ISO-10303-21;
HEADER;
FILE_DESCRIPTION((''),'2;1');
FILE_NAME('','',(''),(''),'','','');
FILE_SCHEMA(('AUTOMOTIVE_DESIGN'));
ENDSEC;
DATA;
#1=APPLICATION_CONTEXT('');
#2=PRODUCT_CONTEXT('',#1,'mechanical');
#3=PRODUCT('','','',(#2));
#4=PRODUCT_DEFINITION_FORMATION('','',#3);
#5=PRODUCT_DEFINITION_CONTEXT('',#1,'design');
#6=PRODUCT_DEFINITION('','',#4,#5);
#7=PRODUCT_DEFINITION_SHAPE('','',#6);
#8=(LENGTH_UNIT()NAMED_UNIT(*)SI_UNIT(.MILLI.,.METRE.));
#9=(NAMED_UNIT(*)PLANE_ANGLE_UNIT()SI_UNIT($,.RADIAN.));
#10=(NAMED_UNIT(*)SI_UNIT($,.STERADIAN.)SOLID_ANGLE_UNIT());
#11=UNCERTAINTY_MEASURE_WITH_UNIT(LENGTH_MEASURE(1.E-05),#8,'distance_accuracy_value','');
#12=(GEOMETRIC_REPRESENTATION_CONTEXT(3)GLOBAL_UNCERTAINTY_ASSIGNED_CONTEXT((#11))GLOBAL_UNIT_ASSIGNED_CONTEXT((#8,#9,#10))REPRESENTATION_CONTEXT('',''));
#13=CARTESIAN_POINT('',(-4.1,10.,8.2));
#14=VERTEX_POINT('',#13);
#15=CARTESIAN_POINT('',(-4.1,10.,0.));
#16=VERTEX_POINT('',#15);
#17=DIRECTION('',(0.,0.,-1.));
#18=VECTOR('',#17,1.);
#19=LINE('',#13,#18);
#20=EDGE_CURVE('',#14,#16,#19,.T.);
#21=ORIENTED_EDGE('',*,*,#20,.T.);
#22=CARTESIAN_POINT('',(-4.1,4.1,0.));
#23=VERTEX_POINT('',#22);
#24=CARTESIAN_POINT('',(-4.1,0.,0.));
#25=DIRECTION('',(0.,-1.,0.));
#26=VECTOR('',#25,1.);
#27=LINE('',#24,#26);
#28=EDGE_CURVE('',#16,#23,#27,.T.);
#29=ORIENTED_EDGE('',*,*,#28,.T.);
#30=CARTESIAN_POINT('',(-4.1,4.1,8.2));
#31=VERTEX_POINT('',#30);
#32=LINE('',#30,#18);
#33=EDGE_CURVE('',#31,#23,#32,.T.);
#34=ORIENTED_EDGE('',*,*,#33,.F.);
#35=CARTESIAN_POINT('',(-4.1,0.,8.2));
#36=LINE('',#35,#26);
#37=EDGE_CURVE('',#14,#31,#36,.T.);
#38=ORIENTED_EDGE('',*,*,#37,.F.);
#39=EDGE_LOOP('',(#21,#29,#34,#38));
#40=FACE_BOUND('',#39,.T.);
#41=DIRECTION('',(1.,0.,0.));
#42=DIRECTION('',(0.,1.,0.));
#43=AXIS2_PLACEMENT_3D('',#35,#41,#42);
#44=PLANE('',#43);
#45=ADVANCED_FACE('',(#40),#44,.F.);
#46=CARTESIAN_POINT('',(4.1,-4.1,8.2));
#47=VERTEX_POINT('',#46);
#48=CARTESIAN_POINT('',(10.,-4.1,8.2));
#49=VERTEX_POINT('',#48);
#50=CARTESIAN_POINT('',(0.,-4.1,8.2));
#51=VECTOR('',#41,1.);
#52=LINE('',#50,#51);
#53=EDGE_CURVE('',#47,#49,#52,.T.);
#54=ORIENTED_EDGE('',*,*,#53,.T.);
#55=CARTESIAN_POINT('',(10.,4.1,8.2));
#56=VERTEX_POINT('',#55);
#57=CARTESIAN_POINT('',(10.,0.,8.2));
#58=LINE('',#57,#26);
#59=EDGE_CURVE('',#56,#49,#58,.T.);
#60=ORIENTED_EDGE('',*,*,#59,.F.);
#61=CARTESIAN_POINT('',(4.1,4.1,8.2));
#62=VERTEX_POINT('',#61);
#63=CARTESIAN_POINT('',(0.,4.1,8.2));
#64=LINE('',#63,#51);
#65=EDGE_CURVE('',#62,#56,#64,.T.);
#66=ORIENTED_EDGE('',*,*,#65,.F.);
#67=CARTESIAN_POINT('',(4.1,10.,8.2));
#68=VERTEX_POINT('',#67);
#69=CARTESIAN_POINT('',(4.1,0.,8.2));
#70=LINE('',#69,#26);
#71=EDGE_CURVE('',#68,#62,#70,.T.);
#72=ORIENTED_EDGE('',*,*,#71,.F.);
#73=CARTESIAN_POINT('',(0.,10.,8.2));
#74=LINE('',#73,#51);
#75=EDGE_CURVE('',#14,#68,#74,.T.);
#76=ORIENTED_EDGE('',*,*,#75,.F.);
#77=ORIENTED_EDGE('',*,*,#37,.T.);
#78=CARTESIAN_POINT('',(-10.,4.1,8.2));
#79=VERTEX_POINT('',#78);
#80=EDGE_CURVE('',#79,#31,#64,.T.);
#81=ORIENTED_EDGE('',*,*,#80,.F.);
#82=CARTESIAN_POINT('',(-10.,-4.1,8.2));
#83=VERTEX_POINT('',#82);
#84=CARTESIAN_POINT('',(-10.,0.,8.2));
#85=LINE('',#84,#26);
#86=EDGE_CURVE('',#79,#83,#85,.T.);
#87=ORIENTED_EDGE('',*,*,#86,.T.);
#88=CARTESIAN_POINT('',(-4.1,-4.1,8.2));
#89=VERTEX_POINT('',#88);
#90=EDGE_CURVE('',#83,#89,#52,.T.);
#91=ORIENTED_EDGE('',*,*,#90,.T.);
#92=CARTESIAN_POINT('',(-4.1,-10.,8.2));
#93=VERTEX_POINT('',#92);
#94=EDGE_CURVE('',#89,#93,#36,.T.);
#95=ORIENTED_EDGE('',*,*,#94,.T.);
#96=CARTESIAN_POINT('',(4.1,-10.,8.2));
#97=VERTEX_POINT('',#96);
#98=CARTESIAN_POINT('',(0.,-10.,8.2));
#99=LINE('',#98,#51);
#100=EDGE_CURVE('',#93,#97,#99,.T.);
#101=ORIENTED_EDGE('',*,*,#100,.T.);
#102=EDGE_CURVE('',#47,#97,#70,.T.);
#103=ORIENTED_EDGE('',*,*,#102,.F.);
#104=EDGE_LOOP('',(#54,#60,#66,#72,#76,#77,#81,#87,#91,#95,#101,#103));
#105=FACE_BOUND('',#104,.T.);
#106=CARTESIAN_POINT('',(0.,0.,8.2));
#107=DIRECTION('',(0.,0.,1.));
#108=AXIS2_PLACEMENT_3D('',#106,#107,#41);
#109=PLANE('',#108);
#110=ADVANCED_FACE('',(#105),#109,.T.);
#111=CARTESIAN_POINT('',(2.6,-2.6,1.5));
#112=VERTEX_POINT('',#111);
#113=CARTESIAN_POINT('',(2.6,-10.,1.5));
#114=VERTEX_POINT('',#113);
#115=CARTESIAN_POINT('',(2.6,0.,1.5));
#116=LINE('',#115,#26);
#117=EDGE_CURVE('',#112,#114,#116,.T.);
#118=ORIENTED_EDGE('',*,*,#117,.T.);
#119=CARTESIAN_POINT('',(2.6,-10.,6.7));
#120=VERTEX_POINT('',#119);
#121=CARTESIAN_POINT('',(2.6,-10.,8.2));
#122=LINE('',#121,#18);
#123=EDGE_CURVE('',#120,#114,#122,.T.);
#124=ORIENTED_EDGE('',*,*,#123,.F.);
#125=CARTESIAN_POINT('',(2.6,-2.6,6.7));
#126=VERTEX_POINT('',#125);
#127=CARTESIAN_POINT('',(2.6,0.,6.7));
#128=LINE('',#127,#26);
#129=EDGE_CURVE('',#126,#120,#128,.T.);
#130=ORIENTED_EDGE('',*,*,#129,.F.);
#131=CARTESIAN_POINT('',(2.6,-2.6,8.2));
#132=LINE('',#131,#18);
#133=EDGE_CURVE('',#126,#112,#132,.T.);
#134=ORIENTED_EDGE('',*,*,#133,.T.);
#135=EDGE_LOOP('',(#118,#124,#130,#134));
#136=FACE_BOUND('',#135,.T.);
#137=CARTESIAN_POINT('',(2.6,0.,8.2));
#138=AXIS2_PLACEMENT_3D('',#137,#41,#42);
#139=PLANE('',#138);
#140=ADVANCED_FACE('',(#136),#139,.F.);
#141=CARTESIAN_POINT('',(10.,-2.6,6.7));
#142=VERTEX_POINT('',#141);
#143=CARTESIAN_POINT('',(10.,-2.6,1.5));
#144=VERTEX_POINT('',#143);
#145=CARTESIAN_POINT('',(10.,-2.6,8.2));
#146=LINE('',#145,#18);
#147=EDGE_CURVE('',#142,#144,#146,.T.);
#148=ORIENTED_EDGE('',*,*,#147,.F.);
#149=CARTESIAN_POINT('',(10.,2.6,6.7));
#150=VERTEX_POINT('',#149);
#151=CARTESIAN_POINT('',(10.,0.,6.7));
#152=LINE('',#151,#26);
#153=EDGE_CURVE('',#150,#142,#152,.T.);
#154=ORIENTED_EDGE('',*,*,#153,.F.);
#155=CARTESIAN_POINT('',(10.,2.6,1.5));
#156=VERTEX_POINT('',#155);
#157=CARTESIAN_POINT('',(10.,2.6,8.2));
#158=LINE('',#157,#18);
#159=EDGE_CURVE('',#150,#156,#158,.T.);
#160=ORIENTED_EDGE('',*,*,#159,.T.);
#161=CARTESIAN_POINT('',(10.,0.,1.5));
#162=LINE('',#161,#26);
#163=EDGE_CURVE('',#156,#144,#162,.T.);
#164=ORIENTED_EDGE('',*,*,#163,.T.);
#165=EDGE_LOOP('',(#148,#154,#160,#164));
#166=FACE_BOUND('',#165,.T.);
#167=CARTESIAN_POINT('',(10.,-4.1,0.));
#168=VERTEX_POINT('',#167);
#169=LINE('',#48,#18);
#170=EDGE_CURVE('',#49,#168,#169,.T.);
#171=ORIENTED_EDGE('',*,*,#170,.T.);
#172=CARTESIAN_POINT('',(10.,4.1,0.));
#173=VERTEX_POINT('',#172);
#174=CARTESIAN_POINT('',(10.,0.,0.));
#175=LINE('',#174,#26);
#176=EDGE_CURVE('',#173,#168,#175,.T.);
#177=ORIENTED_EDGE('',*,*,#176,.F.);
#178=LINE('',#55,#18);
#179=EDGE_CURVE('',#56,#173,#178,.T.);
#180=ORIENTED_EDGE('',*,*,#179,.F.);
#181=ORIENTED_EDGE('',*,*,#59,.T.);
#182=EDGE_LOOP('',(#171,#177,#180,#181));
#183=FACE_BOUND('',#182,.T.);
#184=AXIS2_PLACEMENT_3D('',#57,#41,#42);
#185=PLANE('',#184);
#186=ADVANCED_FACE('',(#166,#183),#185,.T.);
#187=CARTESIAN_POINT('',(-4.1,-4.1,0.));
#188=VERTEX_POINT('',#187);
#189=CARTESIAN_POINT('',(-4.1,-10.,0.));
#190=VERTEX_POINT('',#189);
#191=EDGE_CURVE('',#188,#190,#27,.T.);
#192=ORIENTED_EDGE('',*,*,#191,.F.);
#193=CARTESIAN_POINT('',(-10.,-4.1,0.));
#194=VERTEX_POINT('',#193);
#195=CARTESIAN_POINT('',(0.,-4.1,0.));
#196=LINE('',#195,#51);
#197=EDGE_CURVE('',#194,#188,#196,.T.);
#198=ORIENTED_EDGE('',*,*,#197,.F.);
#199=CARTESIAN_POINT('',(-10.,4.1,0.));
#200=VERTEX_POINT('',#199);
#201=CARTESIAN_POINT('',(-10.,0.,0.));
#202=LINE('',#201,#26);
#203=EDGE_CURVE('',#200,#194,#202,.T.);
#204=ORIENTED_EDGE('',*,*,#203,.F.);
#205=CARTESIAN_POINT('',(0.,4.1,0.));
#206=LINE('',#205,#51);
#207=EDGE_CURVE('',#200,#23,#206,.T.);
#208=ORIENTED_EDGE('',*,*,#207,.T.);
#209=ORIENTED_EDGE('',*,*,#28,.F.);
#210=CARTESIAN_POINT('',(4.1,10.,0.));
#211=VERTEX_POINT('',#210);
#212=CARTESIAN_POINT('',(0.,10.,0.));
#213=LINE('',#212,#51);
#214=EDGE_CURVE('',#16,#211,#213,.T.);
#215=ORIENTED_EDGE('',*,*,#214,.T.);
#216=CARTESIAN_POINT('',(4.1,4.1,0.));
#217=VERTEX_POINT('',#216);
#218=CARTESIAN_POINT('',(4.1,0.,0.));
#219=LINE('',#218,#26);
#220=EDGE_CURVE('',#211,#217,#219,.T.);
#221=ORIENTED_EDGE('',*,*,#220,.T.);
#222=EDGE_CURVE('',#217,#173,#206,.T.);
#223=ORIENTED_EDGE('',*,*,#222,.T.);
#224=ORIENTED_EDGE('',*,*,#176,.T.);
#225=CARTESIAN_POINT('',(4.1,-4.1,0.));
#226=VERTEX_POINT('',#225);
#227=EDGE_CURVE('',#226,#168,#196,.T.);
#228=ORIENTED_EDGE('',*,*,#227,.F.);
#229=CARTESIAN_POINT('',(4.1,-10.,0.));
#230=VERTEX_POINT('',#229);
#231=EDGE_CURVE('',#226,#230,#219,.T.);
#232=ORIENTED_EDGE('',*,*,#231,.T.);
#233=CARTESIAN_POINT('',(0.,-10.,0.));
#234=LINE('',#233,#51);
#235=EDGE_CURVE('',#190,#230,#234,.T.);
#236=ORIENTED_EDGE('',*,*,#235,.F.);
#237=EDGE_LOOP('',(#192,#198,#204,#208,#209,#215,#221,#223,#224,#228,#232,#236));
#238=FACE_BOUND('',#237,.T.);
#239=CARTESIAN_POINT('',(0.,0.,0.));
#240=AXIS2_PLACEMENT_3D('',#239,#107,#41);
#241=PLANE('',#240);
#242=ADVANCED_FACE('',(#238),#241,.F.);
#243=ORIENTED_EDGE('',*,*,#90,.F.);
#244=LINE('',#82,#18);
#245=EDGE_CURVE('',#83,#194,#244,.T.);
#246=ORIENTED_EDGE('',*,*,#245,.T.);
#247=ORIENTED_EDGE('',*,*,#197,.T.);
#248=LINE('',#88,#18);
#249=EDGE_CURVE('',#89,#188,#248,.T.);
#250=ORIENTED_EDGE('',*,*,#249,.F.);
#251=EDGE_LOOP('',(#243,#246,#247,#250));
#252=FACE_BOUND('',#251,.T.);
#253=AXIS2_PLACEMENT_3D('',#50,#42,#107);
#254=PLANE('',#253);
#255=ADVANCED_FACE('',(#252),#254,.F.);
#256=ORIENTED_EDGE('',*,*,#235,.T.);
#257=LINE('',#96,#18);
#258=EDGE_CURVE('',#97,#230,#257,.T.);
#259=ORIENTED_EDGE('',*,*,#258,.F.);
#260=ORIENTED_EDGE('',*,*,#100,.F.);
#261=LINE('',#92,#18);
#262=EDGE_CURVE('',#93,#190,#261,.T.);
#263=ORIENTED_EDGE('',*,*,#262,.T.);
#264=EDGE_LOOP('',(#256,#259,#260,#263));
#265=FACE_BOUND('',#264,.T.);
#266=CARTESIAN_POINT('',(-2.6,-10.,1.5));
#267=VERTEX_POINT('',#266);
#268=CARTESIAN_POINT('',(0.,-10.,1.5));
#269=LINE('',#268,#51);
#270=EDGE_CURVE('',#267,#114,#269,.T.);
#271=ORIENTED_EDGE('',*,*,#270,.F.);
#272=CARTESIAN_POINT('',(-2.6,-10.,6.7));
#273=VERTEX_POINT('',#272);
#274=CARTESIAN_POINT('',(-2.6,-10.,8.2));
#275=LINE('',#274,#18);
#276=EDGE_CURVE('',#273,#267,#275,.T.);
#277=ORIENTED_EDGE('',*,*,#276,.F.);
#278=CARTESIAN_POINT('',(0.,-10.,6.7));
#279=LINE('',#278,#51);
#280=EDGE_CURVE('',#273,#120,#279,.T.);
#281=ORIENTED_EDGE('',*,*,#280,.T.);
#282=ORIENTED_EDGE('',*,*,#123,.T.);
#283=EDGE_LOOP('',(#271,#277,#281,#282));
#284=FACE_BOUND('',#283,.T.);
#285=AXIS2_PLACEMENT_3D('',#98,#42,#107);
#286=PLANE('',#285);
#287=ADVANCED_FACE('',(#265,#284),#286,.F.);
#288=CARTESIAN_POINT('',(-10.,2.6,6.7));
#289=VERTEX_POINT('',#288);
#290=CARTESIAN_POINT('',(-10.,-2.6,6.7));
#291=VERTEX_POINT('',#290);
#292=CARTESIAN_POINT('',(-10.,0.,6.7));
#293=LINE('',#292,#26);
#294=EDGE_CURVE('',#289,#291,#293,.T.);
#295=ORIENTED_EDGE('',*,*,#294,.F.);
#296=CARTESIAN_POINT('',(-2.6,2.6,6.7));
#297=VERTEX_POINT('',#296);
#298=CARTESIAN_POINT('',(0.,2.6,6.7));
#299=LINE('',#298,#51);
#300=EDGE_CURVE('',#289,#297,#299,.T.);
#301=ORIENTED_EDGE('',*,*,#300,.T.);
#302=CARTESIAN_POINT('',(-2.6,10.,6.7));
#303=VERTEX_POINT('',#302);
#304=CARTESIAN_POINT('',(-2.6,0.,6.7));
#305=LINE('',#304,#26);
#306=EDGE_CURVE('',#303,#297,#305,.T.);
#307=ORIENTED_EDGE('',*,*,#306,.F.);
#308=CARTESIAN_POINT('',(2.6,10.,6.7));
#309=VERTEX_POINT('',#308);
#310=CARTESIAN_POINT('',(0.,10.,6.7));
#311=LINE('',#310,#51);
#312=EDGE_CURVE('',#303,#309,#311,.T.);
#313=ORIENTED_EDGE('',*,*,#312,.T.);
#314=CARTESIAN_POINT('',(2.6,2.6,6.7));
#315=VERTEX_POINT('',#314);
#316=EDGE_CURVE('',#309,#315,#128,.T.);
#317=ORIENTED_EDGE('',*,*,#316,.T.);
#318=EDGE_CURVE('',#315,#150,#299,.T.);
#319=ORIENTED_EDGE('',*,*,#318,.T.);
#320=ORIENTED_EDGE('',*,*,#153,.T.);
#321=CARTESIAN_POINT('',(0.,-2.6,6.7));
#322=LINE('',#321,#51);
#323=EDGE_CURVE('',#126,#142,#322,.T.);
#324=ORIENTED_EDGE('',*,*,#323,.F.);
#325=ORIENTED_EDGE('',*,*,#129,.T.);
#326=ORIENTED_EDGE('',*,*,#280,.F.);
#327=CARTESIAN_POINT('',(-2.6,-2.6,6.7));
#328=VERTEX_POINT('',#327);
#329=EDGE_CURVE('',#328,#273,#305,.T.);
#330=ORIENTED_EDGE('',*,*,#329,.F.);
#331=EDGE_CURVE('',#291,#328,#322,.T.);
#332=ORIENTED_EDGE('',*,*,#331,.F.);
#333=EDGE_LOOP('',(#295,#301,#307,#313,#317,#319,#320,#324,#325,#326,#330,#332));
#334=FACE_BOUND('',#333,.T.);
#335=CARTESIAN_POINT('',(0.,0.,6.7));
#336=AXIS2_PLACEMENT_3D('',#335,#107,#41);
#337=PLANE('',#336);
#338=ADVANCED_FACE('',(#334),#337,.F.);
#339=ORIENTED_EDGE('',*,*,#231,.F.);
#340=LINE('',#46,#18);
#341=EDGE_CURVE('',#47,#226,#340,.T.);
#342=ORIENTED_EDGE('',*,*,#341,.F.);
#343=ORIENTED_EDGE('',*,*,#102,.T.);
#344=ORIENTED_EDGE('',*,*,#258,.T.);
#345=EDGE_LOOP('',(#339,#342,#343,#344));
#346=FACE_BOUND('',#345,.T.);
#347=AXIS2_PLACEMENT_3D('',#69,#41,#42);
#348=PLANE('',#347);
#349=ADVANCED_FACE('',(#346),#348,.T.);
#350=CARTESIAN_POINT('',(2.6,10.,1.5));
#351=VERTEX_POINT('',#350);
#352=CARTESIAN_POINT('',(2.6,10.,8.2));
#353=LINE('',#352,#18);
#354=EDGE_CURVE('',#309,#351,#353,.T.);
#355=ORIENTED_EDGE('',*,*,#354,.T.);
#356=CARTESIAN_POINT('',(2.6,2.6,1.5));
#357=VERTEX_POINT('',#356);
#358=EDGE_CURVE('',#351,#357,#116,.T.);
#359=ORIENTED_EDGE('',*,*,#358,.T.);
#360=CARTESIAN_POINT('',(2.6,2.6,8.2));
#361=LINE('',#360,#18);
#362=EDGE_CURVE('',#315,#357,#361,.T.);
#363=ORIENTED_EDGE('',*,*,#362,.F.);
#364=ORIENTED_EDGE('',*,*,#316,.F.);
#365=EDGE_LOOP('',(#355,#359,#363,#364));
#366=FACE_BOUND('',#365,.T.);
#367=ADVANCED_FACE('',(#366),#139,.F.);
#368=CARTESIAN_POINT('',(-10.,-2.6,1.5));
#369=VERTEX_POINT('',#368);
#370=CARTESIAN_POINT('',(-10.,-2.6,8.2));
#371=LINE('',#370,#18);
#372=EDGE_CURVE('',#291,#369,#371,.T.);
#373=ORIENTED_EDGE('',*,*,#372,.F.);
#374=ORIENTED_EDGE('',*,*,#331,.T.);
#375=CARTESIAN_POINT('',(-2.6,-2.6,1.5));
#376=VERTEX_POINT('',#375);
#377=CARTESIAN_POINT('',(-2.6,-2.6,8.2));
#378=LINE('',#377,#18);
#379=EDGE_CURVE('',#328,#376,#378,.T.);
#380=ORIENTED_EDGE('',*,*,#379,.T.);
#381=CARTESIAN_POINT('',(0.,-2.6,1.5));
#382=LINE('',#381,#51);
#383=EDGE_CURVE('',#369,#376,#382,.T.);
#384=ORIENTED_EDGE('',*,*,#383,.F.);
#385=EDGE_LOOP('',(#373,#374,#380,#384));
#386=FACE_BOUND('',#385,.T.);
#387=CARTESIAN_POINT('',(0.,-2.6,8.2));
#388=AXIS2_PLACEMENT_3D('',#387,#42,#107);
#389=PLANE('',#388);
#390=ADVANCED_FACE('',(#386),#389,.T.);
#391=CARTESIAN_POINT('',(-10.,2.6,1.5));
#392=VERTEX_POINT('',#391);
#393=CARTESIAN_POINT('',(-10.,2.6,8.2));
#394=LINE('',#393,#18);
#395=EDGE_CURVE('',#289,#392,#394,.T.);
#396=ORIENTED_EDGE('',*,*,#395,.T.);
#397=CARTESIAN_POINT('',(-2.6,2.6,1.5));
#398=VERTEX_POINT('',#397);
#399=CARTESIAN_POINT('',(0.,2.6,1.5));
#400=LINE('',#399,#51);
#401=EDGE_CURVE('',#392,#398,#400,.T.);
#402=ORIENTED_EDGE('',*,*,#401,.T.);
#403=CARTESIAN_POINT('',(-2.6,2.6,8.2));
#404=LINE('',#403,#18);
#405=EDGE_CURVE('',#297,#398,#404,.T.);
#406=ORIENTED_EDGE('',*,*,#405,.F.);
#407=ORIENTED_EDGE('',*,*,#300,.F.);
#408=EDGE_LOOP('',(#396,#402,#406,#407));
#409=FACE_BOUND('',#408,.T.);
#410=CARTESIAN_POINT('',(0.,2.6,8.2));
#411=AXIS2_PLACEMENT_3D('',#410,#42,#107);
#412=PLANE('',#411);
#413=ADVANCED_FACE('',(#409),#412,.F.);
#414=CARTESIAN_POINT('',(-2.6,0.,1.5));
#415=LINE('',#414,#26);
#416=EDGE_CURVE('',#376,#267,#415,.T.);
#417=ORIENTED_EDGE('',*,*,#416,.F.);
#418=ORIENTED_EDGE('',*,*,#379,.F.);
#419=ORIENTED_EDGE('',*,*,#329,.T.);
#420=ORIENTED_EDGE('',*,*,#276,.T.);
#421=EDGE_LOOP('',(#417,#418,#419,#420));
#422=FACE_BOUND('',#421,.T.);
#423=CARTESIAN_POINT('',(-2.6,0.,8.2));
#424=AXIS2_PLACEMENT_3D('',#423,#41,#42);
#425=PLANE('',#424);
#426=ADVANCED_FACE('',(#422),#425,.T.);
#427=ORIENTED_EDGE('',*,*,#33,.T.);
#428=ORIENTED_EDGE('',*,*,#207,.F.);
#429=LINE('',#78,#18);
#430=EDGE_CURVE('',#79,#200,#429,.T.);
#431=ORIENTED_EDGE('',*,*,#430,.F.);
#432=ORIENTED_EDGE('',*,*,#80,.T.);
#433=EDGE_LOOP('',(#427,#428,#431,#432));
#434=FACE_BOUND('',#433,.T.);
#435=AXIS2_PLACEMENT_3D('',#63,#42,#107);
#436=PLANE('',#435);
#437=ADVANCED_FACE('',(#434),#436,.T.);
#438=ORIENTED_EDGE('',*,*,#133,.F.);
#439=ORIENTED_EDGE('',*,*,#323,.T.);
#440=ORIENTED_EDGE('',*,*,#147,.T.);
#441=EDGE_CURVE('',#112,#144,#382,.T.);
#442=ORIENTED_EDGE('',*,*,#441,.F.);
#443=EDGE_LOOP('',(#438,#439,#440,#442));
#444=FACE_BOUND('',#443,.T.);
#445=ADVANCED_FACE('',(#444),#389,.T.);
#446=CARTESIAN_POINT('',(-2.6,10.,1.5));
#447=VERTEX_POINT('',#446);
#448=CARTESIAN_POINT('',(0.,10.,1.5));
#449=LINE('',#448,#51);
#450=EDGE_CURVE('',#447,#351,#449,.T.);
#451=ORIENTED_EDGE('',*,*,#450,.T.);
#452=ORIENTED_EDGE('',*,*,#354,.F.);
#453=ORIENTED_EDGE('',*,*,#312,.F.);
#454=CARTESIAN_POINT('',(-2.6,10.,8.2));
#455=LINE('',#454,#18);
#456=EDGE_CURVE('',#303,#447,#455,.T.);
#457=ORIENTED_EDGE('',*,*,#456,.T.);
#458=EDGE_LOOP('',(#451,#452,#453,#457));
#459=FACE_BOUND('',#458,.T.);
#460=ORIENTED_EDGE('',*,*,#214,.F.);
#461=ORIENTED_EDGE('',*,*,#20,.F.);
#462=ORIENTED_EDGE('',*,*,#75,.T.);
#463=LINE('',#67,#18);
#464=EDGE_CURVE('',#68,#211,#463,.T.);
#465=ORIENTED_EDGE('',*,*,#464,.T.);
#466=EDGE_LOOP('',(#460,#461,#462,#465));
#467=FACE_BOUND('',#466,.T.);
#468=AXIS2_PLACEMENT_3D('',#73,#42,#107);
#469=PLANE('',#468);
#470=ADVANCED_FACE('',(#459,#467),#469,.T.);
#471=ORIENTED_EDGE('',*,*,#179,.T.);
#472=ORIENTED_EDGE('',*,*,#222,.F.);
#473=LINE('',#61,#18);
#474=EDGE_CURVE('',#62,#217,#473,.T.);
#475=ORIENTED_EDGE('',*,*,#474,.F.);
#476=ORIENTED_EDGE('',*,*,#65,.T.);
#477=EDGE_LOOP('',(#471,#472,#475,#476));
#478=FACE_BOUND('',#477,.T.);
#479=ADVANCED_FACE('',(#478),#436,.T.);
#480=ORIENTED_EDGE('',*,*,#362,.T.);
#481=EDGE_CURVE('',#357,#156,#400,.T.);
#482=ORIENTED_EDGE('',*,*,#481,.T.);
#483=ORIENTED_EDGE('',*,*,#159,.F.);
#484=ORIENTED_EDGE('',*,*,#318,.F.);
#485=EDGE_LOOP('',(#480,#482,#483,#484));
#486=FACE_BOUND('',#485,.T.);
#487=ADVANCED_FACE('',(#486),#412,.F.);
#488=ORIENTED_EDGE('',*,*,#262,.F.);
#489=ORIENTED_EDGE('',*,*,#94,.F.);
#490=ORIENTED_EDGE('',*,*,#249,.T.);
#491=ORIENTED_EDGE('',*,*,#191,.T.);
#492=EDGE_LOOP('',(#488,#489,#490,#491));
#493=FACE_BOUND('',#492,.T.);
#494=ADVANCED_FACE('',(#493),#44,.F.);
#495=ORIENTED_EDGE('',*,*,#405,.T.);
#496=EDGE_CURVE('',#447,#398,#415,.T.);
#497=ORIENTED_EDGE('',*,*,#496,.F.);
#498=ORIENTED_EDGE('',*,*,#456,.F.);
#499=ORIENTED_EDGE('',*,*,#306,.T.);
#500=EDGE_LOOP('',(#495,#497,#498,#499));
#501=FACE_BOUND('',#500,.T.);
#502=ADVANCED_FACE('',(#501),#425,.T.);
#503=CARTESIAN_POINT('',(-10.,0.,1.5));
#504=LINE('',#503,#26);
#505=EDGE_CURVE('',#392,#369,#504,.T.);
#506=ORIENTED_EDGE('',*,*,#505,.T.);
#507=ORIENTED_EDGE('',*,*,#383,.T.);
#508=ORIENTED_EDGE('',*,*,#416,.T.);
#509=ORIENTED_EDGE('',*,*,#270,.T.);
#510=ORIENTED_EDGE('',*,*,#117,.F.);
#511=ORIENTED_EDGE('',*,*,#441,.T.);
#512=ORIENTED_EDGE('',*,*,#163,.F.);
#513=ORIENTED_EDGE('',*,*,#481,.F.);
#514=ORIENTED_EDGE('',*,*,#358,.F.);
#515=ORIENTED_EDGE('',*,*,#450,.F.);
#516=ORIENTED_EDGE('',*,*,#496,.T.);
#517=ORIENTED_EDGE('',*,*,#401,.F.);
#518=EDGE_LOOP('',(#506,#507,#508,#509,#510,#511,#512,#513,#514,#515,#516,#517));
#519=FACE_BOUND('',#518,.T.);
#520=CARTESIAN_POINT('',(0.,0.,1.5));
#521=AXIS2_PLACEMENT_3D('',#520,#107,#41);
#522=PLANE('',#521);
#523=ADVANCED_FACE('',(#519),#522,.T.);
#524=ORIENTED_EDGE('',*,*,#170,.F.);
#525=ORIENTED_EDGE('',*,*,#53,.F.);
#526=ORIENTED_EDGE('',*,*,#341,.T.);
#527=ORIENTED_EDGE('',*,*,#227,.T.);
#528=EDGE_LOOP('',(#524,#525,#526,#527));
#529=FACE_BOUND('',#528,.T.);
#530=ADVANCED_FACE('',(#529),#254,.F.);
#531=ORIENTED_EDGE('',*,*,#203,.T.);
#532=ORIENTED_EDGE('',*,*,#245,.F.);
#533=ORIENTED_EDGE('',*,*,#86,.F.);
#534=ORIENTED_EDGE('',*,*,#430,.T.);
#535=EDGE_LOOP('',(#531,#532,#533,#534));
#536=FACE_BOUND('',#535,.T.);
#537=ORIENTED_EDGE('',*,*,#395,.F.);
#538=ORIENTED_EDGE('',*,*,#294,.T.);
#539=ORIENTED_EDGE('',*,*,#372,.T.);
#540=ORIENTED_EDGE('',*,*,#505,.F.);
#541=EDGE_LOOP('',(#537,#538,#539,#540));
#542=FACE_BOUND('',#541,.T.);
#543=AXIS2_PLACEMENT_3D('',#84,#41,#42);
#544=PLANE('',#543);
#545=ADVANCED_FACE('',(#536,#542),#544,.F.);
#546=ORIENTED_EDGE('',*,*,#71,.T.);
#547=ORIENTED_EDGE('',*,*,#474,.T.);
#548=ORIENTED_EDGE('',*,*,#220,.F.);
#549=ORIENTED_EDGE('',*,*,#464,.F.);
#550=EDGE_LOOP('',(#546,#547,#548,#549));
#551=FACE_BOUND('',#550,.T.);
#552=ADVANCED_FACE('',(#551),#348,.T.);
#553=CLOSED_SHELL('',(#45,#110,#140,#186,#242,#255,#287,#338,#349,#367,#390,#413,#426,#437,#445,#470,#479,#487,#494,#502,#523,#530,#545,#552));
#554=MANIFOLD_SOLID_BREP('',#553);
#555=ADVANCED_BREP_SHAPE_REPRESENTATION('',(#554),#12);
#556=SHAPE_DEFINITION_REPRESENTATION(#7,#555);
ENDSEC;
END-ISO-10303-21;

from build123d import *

# Parameters (mm, degrees)
SKETCH1_W           = 5.9
SKETCH1_H           = 8.2
SKETCH1_W_2         = 8.2
SKETCH1_H_2         = 5.9
BOSS_EXTRUDE1_DEPTH = 8.2
SHELL1_T            = -1.5


with BuildPart() as part:
    # Sketch1 → Boss-Extrude1 (new body)
    with BuildSketch(Plane.XY):
        with Locations((-7.05, 0)):
            Rectangle(SKETCH1_W, SKETCH1_H)
        with Locations((0, 7.05)):
            Rectangle(SKETCH1_W_2, SKETCH1_H_2)
        Rectangle(SKETCH1_W_2, SKETCH1_H)
        with Locations((7.05, 0)):
            Rectangle(SKETCH1_W, SKETCH1_H)
        with Locations((0, -7.05)):
            Rectangle(SKETCH1_W_2, SKETCH1_H_2)
    extrude(amount=BOSS_EXTRUDE1_DEPTH)

    # Shell1
    shell1_openings = [part.faces().sort_by_distance(p)[0] for p in [
        (0, 10, 4.1),
        (10, 0, 4.1),
        (0, -10, 4.1),
        (-10, 0, 4.1),
    ]]
    offset(amount=SHELL1_T, openings=shell1_openings, kind=Kind.INTERSECTION)


solid = part.part
